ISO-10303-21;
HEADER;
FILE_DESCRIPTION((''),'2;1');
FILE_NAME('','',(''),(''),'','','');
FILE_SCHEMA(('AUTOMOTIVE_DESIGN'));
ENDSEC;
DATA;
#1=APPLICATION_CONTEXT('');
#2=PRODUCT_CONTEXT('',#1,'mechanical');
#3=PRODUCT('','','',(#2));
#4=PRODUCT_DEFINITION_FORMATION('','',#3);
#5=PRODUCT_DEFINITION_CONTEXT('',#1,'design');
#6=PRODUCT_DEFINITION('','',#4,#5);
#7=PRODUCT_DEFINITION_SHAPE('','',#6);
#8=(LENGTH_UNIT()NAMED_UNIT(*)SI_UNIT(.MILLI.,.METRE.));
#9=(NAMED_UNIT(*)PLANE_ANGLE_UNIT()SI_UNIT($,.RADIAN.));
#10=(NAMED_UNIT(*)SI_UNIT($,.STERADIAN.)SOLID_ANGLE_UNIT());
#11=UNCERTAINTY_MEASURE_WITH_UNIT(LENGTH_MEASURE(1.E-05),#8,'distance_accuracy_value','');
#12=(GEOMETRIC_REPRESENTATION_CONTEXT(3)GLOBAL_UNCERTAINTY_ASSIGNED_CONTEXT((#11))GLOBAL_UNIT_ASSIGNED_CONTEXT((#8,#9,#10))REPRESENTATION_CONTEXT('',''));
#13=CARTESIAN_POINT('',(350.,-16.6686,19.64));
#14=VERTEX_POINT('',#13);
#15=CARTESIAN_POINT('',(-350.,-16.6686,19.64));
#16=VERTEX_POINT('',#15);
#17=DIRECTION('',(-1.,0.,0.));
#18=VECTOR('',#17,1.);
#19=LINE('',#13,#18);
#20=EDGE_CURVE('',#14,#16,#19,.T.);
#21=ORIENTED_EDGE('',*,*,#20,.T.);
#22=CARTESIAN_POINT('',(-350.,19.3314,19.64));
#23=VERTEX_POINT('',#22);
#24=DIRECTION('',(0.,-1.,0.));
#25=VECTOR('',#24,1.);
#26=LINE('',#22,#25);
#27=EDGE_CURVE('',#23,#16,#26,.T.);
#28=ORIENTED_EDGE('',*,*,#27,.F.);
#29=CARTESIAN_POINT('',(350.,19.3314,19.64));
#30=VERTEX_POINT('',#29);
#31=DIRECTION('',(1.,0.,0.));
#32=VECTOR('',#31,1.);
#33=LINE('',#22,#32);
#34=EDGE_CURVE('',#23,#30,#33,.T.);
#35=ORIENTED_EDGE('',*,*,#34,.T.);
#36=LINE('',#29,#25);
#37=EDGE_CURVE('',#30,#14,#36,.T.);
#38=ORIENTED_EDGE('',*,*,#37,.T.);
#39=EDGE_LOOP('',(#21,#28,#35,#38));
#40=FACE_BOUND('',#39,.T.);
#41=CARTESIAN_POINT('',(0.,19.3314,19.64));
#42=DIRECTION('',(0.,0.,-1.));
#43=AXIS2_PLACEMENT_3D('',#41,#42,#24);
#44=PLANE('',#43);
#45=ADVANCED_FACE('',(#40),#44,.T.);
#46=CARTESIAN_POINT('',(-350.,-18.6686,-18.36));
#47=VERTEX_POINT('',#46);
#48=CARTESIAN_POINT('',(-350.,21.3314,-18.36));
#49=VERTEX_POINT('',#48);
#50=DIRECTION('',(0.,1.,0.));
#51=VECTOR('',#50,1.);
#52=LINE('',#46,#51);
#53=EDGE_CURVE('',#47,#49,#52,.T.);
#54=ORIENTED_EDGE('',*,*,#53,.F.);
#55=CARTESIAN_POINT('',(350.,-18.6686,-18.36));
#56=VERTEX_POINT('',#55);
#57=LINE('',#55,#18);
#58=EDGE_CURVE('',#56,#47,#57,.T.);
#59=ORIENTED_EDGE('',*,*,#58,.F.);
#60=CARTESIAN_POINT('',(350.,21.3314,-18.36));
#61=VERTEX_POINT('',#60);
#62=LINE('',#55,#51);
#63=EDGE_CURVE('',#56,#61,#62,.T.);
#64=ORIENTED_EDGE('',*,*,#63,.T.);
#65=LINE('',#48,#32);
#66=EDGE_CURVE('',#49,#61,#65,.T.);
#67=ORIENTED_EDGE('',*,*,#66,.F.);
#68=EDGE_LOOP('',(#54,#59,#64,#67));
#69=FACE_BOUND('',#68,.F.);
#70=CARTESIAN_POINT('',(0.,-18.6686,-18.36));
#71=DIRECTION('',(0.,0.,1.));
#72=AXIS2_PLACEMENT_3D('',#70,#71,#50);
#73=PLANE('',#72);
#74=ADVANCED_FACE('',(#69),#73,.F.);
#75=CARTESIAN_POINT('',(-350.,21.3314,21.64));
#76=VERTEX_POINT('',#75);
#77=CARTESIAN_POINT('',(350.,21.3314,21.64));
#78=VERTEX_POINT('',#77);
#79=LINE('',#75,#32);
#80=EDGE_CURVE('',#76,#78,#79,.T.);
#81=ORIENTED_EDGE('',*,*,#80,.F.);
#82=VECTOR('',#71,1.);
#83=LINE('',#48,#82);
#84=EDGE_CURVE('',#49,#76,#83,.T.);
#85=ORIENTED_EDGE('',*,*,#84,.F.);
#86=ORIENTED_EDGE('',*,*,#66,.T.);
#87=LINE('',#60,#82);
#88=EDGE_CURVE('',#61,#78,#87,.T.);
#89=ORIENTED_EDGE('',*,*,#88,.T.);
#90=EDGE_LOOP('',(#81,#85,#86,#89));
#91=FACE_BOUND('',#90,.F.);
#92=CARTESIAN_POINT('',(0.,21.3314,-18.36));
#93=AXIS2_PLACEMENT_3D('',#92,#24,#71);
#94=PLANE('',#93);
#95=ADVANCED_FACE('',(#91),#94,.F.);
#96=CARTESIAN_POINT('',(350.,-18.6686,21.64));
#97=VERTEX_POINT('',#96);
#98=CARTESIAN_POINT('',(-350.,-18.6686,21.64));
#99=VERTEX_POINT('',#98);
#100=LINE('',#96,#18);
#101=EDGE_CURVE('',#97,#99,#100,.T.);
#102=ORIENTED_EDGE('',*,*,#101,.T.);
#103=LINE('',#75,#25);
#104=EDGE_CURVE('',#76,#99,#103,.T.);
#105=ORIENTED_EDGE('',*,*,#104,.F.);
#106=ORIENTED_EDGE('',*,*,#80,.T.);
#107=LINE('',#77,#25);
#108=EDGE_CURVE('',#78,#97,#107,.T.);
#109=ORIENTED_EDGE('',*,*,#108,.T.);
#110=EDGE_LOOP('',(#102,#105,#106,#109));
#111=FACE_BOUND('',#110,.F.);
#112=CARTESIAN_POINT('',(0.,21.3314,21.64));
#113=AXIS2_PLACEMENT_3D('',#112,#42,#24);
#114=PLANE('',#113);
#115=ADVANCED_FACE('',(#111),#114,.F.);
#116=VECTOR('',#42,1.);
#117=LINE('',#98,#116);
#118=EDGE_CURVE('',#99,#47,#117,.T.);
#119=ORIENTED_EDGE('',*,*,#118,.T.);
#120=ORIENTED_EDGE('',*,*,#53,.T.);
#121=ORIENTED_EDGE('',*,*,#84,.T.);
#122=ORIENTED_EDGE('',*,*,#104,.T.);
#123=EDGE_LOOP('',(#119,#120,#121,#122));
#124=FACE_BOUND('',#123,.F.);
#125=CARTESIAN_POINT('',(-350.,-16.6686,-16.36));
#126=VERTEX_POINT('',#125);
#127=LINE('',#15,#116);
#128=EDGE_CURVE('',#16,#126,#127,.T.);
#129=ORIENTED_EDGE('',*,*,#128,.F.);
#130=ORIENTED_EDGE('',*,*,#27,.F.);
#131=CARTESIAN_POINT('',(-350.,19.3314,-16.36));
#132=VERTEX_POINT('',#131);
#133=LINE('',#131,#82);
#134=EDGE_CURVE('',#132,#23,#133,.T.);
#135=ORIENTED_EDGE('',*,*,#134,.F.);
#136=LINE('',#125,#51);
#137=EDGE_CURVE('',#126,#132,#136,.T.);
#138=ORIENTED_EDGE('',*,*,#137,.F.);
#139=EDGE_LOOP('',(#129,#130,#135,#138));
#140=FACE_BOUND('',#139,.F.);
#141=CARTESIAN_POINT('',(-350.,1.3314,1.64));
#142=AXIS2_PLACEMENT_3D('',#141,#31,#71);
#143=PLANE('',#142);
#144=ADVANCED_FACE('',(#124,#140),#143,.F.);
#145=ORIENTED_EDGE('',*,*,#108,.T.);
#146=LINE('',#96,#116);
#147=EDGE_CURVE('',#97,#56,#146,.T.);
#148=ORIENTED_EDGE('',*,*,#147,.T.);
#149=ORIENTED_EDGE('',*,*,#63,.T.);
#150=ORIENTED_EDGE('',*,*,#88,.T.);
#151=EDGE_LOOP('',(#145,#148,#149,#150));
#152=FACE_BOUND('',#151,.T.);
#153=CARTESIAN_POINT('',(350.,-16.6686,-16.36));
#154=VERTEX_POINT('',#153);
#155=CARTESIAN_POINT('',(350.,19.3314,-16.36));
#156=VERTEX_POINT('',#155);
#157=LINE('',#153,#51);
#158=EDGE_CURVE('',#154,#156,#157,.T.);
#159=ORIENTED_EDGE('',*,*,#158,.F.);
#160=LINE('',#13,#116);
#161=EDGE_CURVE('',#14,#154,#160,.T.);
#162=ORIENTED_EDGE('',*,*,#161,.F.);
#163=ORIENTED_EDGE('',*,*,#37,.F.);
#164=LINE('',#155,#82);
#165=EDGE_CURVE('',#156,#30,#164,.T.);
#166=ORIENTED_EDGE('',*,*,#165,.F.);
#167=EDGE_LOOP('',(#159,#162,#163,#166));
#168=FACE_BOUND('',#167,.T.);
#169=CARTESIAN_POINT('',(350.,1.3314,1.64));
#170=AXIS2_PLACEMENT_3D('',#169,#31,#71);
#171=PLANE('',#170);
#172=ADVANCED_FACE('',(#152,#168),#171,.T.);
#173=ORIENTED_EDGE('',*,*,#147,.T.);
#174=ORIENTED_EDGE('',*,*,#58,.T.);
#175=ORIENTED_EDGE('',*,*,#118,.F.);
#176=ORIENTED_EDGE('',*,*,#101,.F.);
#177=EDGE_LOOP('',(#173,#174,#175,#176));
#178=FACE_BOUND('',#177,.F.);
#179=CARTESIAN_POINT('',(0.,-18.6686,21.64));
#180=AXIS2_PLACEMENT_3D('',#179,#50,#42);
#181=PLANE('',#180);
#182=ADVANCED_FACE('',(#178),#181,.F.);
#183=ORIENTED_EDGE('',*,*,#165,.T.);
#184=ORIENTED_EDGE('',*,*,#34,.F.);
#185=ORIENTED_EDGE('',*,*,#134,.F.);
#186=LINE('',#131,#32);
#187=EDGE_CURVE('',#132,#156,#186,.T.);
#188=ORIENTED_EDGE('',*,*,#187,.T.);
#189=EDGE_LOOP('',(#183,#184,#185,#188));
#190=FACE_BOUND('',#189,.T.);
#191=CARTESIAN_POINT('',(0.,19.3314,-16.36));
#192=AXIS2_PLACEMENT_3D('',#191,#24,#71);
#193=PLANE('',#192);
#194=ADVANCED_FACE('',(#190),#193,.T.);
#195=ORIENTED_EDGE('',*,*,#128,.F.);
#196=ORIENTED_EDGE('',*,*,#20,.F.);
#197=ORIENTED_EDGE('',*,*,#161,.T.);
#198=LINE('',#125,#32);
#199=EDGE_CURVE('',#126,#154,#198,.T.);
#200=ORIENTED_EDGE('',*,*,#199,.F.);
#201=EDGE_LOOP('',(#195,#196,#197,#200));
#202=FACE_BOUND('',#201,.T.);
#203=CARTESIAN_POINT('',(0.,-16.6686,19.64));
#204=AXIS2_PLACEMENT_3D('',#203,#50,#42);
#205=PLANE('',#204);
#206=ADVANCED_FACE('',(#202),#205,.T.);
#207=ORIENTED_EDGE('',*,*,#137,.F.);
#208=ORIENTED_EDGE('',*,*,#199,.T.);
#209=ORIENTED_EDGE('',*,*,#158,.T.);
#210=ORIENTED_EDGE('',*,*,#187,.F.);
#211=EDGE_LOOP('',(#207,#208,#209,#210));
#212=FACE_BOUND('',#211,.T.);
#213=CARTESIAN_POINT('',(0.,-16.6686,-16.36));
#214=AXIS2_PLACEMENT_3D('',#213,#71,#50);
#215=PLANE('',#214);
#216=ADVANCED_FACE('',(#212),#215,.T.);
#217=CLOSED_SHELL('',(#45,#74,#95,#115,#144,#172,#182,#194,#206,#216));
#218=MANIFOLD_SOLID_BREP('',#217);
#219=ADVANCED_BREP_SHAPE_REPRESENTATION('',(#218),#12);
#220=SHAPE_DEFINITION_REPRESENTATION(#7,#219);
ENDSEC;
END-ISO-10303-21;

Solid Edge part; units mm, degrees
sketch "Sketch1" plane through (0, 0, 0) normal (1, 0, 0) x (0, 1, 0)
  line L0 (-16.6686, -16.36) -> (19.3314, -16.36)
  line L1 (19.3314, -16.36) -> (19.3314, 19.64)
  line L2 (19.3314, 19.64) -> (-16.6686, 19.64)
  line L3 (-16.6686, 19.64) -> (-16.6686, -16.36)
  line L4 (-18.6686, -18.36) -> (21.3314, -18.36)
  line L5 (21.3314, -18.36) -> (21.3314, 21.64)
  line L6 (21.3314, 21.64) -> (-18.6686, 21.64)
  line L7 (-18.6686, 21.64) -> (-18.6686, -18.36)
  dimension "D1" = 2
  dimension "D2" = 2
  dimension "D3" = 2
  dimension "D4" = 2
extrude "Protrusion1" add sketch "Sketch1" along normal mid plane 700
